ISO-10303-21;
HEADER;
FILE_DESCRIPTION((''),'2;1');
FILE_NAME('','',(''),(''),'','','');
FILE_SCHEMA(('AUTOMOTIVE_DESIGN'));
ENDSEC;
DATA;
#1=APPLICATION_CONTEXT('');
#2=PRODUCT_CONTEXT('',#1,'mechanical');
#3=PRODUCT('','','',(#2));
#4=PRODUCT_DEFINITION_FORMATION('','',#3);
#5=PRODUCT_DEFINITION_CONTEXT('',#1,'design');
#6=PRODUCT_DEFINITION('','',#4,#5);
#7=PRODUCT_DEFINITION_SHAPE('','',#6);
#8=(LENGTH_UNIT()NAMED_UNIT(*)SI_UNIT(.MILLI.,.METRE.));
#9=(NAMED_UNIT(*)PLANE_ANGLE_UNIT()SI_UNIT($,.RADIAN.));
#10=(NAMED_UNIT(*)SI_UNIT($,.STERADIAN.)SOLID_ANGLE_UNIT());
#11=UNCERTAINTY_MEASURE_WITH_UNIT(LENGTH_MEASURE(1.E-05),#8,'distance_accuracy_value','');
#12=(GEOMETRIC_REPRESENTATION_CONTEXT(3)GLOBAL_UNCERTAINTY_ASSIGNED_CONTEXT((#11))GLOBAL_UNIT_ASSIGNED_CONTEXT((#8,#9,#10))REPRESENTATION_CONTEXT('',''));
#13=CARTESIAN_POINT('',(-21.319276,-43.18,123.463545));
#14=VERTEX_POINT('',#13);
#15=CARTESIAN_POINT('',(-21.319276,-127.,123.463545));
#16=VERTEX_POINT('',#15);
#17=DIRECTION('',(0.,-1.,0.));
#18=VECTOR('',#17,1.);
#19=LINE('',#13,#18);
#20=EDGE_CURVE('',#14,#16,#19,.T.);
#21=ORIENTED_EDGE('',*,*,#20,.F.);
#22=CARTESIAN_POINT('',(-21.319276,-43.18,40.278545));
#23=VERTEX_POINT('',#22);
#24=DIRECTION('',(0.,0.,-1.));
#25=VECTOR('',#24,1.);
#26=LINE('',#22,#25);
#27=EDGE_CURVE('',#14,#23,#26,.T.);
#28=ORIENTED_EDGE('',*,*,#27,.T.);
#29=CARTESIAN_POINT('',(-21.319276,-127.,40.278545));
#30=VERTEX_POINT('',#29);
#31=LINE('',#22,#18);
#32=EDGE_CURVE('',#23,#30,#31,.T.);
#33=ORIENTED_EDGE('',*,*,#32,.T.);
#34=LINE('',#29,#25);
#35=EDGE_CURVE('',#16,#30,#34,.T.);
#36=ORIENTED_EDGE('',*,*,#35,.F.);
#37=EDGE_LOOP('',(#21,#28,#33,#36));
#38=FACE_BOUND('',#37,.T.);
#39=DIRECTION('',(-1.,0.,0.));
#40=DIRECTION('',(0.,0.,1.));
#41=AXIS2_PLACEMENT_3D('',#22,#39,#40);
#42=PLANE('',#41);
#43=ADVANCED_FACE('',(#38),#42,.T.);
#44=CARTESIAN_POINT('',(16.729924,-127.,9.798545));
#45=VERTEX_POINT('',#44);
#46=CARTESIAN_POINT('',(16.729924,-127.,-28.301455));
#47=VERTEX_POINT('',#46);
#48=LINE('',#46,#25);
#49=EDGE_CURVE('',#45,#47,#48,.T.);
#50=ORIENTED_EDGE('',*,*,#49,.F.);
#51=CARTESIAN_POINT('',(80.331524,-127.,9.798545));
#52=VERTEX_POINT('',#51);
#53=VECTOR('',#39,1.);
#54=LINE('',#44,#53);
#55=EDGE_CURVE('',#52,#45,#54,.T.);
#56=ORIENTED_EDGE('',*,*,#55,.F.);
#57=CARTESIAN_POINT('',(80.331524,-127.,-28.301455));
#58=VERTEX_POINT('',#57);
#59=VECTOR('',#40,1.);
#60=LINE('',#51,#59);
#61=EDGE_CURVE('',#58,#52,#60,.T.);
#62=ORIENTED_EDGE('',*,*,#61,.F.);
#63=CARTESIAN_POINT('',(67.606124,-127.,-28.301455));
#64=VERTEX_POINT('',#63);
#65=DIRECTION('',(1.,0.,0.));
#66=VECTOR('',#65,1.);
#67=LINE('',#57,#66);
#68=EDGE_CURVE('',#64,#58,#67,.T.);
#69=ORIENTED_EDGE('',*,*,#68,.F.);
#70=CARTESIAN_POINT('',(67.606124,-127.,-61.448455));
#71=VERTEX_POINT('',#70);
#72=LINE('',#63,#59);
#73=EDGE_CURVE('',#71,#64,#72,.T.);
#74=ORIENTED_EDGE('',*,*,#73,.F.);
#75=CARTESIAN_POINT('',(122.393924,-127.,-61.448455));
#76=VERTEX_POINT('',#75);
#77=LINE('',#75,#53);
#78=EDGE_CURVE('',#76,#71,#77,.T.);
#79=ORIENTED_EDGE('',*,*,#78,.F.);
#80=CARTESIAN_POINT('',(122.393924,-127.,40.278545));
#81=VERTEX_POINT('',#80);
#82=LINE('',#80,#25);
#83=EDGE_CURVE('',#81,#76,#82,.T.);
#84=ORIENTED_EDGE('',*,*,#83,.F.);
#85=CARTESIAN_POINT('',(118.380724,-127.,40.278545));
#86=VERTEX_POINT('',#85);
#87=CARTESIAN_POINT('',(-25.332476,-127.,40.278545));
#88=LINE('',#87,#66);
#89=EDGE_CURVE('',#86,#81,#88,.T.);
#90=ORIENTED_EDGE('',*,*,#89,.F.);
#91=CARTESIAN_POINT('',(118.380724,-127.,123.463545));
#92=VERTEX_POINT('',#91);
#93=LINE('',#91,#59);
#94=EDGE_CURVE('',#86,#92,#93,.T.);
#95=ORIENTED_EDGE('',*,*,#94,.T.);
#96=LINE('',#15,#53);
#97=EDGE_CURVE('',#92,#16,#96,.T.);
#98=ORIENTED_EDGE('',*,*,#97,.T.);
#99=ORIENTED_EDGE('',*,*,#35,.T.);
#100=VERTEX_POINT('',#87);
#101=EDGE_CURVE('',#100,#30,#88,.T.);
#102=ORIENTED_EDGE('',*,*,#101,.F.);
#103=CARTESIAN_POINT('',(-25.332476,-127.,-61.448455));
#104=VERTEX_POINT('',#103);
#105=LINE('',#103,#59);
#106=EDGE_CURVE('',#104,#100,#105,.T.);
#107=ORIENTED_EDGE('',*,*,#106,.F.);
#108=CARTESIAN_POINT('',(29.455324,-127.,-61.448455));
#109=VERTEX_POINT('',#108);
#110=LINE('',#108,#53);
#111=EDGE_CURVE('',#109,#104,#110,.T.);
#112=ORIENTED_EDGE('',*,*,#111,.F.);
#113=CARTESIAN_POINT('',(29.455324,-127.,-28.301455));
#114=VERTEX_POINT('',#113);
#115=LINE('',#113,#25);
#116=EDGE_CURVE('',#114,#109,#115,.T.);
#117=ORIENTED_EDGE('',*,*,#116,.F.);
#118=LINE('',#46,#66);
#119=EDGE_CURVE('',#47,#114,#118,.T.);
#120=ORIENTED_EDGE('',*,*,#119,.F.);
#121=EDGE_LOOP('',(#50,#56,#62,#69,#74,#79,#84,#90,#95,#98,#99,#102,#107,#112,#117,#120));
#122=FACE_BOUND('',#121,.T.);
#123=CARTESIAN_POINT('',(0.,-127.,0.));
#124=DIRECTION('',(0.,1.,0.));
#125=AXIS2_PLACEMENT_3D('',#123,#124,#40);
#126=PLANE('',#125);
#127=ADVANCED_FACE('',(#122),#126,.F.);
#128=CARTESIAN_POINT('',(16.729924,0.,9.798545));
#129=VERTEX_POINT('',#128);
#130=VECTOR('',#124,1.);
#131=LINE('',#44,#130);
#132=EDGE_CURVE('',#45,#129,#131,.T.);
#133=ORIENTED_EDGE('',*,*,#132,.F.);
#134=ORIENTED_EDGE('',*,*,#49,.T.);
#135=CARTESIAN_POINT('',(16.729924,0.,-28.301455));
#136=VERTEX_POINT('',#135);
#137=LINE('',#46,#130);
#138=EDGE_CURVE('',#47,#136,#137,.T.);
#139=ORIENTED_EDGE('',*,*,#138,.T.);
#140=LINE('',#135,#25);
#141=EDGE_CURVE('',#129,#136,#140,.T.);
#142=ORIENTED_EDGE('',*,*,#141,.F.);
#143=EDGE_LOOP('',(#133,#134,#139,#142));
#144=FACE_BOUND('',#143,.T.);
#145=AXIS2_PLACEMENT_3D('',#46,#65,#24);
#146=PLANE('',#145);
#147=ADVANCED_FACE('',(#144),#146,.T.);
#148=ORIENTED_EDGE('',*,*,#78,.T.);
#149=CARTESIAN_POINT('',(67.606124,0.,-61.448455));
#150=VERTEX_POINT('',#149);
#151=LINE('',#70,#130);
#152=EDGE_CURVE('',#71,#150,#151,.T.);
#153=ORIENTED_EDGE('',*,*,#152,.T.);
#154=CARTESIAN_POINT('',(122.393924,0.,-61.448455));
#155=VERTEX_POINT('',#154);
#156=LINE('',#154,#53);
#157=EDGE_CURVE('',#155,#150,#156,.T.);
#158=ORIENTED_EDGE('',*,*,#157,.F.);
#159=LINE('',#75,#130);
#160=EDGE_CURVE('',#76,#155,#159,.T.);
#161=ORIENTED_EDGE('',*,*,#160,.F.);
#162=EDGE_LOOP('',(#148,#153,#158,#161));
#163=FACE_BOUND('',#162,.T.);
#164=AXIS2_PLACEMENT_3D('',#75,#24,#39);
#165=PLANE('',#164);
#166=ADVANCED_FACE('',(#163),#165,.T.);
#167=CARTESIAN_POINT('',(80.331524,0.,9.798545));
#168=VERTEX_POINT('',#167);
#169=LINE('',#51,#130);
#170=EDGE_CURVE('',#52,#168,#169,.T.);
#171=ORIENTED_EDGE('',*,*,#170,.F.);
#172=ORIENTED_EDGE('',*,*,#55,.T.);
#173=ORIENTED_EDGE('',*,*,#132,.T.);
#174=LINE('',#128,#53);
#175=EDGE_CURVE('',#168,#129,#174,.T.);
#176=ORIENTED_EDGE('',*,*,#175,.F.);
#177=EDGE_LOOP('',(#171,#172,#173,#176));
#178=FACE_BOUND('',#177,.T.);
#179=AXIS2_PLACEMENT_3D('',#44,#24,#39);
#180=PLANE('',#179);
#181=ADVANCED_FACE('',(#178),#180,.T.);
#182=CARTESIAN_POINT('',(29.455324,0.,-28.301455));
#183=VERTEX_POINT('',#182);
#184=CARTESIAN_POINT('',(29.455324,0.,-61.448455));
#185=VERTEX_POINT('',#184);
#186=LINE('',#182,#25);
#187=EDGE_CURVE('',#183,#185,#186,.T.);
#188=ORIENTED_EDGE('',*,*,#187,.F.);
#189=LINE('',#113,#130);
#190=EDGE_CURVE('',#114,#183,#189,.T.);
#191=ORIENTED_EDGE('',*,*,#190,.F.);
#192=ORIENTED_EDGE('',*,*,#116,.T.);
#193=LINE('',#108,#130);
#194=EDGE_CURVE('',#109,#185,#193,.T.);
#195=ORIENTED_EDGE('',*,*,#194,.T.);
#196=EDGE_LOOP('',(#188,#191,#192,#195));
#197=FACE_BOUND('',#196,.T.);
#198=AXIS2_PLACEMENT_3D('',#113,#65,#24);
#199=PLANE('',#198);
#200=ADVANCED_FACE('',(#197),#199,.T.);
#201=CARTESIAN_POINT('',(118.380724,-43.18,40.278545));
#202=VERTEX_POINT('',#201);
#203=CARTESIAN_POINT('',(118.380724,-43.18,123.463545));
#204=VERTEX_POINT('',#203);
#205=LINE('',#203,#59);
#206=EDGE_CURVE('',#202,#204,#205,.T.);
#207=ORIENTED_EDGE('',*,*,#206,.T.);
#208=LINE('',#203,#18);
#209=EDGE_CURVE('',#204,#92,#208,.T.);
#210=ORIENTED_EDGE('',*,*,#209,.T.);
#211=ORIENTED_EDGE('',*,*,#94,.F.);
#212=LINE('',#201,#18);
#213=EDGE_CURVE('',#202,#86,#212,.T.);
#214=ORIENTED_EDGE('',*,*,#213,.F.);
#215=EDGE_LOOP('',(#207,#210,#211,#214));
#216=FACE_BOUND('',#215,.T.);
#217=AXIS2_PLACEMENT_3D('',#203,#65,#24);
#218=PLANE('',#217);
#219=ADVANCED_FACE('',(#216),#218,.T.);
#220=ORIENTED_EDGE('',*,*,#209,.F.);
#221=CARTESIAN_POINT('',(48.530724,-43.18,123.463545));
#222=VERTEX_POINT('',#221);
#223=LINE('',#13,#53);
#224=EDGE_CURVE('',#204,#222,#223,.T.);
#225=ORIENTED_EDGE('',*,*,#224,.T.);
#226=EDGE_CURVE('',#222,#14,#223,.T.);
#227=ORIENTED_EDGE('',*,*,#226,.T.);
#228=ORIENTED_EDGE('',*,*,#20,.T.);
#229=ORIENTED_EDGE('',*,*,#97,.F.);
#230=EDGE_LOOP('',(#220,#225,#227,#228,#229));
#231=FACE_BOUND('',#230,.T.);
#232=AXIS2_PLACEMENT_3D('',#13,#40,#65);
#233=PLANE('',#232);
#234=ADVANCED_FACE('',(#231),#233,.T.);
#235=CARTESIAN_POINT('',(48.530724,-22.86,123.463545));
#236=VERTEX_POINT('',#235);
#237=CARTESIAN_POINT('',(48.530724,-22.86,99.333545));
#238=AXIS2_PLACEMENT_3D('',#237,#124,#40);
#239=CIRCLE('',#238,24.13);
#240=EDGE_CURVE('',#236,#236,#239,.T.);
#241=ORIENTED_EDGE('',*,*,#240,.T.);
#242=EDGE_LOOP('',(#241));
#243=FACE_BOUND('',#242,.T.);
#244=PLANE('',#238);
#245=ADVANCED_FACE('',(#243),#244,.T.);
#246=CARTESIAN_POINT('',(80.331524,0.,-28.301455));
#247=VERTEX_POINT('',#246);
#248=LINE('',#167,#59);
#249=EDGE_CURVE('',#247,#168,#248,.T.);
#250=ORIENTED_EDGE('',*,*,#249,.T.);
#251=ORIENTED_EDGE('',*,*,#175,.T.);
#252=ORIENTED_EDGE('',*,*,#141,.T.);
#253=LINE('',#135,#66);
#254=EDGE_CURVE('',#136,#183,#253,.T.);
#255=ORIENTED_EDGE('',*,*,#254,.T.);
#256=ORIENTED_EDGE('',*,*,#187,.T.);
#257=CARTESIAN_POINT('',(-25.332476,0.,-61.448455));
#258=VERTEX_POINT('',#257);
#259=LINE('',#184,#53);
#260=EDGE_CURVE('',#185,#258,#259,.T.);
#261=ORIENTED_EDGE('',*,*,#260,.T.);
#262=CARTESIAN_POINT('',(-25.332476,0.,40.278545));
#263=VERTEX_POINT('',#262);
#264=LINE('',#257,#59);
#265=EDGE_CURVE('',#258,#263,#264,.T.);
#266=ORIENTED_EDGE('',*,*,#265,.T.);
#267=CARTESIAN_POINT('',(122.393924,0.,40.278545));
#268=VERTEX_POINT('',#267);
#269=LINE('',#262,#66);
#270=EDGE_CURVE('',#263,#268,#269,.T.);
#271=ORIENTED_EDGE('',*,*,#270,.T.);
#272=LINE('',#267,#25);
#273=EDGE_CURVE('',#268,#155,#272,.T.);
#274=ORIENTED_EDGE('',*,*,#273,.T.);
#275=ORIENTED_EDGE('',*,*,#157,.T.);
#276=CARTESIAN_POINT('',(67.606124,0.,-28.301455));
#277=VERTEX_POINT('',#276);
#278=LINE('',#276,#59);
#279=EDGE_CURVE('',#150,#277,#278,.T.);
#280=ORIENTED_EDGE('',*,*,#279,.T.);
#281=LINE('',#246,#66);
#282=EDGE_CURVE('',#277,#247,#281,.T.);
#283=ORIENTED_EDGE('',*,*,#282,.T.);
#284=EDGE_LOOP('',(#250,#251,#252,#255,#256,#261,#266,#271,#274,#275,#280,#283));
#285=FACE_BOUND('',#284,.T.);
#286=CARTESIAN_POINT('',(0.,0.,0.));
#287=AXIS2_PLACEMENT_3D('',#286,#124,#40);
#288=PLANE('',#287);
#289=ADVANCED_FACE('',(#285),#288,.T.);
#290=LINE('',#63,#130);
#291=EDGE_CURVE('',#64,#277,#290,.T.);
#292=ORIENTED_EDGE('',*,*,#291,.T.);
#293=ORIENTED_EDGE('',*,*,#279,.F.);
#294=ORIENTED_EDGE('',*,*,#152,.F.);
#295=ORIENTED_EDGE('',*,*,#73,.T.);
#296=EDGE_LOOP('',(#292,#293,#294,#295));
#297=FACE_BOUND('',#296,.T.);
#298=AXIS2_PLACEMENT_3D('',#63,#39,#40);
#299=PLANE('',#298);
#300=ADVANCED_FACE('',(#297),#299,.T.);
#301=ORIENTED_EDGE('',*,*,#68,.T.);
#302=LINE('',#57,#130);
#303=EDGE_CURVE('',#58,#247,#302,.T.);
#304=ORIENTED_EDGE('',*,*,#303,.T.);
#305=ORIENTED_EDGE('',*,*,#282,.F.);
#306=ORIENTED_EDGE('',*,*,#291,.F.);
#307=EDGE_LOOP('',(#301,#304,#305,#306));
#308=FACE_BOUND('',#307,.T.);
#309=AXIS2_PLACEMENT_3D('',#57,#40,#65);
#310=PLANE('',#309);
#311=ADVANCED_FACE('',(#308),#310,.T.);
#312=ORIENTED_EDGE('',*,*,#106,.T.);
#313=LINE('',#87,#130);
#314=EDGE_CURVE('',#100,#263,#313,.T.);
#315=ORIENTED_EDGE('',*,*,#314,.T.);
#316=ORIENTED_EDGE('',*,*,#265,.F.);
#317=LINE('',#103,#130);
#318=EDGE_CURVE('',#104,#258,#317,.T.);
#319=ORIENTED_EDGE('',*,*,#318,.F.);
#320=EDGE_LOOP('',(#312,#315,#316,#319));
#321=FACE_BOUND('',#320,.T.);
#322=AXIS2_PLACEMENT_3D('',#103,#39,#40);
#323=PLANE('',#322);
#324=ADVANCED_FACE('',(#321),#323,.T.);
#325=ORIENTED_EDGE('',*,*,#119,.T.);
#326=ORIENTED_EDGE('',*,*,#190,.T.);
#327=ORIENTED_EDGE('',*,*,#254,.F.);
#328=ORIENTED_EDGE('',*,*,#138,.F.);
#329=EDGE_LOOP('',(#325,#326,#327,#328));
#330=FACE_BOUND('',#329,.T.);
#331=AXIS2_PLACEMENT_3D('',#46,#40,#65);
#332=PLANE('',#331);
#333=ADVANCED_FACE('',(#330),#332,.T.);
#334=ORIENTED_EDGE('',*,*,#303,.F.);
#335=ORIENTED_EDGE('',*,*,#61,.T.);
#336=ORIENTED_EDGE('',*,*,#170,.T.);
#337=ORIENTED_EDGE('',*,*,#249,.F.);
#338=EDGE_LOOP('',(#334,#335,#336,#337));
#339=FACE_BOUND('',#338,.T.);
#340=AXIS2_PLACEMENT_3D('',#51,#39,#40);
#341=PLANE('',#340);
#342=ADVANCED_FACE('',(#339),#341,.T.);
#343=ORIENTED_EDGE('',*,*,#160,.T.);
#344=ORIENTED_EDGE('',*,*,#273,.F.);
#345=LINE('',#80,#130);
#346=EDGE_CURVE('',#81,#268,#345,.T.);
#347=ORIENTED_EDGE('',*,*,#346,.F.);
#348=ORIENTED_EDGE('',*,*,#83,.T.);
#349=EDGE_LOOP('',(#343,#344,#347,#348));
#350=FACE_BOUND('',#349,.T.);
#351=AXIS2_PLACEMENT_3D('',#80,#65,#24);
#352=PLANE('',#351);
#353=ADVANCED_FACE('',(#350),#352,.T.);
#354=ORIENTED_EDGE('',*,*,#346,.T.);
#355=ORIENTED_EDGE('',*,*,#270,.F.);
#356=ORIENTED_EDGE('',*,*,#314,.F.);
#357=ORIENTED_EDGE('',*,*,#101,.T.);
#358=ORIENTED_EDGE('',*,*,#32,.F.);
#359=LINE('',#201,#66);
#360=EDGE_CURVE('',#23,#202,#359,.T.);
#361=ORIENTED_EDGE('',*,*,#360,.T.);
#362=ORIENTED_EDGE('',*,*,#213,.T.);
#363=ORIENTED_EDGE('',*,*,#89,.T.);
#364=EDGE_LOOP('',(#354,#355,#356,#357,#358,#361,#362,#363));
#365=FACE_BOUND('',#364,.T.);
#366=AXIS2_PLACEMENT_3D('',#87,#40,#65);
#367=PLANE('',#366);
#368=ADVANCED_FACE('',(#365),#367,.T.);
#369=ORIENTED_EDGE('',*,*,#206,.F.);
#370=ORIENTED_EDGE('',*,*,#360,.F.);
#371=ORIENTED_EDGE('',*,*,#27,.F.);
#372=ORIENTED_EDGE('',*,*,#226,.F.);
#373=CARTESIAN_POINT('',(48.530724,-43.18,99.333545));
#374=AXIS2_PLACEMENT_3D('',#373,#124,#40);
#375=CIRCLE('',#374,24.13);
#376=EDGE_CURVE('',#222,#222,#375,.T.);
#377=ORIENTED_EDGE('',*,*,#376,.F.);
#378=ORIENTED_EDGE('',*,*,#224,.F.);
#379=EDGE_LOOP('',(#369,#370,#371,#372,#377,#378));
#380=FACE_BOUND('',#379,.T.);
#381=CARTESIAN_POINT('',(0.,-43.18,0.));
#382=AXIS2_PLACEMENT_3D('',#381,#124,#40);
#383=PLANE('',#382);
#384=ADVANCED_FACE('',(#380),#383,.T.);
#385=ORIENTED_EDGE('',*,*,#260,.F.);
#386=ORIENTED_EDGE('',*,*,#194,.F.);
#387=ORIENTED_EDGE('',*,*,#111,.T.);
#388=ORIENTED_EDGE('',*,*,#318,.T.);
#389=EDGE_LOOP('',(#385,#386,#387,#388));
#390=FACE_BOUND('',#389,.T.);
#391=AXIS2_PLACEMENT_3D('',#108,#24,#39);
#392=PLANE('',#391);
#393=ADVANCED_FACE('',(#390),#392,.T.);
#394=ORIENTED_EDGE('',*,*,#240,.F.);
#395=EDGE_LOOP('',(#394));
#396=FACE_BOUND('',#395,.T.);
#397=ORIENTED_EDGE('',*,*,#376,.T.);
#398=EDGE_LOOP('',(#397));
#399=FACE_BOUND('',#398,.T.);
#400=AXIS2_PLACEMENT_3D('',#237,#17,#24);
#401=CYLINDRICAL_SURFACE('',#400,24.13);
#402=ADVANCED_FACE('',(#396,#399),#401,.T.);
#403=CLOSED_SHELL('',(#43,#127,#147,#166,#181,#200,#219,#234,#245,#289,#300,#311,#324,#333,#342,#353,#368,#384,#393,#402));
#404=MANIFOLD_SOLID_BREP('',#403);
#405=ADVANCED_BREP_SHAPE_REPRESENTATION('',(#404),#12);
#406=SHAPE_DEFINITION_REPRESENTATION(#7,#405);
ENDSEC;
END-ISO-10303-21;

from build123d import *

# Parameters (mm, degrees)
BOSS_EXTRUDE1_DEPTH = 127
SKETCH2_W           = 139.7
SKETCH2_H           = 83.185
BOSS_EXTRUDE2_DEPTH = 83.82
SKETCH3_R           = 24.13
BOSS_EXTRUDE3_DEPTH = 20.32


with BuildPart() as part:
    # Sketch1 → Boss-Extrude1 (new body)
    with BuildSketch(Plane(origin=(0, 0, 0), x_dir=(1, 0, 0), z_dir=(0, 1, 0))):
        Polygon((16.729923946, 28.301454676), (16.729923946, -9.798545324), (80.331523946, -9.798545324), (80.331523946, 28.301454676), (67.606123946, 28.301454676), (67.606123946, 61.448454676), (122.393923946, 61.448454676), (122.393923946, -40.278545324), (-25.332476054, -40.278545324), (-25.332476054, 61.448454676), (29.455323946, 61.448454676), (29.455323946, 28.301454676), align=None)
    extrude(amount=-BOSS_EXTRUDE1_DEPTH)

    # Sketch2 → Boss-Extrude2 (add)
    with BuildSketch(Plane.XZ.offset(127)):
        with Locations((48.530723946, 81.871045324)):
            Rectangle(SKETCH2_W, SKETCH2_H)
    extrude(amount=-BOSS_EXTRUDE2_DEPTH)

    # Sketch3 → Boss-Extrude3 (add)
    with BuildSketch(Plane(origin=(0, -43.18, 0), x_dir=(1, 0, 0), z_dir=(0, 1, 0))):
        with Locations(Location((48.530723946, -99.333545324, 0), (0, 0, 270))):
            Circle(SKETCH3_R)
    extrude(amount=BOSS_EXTRUDE3_DEPTH)


solid = part.part
